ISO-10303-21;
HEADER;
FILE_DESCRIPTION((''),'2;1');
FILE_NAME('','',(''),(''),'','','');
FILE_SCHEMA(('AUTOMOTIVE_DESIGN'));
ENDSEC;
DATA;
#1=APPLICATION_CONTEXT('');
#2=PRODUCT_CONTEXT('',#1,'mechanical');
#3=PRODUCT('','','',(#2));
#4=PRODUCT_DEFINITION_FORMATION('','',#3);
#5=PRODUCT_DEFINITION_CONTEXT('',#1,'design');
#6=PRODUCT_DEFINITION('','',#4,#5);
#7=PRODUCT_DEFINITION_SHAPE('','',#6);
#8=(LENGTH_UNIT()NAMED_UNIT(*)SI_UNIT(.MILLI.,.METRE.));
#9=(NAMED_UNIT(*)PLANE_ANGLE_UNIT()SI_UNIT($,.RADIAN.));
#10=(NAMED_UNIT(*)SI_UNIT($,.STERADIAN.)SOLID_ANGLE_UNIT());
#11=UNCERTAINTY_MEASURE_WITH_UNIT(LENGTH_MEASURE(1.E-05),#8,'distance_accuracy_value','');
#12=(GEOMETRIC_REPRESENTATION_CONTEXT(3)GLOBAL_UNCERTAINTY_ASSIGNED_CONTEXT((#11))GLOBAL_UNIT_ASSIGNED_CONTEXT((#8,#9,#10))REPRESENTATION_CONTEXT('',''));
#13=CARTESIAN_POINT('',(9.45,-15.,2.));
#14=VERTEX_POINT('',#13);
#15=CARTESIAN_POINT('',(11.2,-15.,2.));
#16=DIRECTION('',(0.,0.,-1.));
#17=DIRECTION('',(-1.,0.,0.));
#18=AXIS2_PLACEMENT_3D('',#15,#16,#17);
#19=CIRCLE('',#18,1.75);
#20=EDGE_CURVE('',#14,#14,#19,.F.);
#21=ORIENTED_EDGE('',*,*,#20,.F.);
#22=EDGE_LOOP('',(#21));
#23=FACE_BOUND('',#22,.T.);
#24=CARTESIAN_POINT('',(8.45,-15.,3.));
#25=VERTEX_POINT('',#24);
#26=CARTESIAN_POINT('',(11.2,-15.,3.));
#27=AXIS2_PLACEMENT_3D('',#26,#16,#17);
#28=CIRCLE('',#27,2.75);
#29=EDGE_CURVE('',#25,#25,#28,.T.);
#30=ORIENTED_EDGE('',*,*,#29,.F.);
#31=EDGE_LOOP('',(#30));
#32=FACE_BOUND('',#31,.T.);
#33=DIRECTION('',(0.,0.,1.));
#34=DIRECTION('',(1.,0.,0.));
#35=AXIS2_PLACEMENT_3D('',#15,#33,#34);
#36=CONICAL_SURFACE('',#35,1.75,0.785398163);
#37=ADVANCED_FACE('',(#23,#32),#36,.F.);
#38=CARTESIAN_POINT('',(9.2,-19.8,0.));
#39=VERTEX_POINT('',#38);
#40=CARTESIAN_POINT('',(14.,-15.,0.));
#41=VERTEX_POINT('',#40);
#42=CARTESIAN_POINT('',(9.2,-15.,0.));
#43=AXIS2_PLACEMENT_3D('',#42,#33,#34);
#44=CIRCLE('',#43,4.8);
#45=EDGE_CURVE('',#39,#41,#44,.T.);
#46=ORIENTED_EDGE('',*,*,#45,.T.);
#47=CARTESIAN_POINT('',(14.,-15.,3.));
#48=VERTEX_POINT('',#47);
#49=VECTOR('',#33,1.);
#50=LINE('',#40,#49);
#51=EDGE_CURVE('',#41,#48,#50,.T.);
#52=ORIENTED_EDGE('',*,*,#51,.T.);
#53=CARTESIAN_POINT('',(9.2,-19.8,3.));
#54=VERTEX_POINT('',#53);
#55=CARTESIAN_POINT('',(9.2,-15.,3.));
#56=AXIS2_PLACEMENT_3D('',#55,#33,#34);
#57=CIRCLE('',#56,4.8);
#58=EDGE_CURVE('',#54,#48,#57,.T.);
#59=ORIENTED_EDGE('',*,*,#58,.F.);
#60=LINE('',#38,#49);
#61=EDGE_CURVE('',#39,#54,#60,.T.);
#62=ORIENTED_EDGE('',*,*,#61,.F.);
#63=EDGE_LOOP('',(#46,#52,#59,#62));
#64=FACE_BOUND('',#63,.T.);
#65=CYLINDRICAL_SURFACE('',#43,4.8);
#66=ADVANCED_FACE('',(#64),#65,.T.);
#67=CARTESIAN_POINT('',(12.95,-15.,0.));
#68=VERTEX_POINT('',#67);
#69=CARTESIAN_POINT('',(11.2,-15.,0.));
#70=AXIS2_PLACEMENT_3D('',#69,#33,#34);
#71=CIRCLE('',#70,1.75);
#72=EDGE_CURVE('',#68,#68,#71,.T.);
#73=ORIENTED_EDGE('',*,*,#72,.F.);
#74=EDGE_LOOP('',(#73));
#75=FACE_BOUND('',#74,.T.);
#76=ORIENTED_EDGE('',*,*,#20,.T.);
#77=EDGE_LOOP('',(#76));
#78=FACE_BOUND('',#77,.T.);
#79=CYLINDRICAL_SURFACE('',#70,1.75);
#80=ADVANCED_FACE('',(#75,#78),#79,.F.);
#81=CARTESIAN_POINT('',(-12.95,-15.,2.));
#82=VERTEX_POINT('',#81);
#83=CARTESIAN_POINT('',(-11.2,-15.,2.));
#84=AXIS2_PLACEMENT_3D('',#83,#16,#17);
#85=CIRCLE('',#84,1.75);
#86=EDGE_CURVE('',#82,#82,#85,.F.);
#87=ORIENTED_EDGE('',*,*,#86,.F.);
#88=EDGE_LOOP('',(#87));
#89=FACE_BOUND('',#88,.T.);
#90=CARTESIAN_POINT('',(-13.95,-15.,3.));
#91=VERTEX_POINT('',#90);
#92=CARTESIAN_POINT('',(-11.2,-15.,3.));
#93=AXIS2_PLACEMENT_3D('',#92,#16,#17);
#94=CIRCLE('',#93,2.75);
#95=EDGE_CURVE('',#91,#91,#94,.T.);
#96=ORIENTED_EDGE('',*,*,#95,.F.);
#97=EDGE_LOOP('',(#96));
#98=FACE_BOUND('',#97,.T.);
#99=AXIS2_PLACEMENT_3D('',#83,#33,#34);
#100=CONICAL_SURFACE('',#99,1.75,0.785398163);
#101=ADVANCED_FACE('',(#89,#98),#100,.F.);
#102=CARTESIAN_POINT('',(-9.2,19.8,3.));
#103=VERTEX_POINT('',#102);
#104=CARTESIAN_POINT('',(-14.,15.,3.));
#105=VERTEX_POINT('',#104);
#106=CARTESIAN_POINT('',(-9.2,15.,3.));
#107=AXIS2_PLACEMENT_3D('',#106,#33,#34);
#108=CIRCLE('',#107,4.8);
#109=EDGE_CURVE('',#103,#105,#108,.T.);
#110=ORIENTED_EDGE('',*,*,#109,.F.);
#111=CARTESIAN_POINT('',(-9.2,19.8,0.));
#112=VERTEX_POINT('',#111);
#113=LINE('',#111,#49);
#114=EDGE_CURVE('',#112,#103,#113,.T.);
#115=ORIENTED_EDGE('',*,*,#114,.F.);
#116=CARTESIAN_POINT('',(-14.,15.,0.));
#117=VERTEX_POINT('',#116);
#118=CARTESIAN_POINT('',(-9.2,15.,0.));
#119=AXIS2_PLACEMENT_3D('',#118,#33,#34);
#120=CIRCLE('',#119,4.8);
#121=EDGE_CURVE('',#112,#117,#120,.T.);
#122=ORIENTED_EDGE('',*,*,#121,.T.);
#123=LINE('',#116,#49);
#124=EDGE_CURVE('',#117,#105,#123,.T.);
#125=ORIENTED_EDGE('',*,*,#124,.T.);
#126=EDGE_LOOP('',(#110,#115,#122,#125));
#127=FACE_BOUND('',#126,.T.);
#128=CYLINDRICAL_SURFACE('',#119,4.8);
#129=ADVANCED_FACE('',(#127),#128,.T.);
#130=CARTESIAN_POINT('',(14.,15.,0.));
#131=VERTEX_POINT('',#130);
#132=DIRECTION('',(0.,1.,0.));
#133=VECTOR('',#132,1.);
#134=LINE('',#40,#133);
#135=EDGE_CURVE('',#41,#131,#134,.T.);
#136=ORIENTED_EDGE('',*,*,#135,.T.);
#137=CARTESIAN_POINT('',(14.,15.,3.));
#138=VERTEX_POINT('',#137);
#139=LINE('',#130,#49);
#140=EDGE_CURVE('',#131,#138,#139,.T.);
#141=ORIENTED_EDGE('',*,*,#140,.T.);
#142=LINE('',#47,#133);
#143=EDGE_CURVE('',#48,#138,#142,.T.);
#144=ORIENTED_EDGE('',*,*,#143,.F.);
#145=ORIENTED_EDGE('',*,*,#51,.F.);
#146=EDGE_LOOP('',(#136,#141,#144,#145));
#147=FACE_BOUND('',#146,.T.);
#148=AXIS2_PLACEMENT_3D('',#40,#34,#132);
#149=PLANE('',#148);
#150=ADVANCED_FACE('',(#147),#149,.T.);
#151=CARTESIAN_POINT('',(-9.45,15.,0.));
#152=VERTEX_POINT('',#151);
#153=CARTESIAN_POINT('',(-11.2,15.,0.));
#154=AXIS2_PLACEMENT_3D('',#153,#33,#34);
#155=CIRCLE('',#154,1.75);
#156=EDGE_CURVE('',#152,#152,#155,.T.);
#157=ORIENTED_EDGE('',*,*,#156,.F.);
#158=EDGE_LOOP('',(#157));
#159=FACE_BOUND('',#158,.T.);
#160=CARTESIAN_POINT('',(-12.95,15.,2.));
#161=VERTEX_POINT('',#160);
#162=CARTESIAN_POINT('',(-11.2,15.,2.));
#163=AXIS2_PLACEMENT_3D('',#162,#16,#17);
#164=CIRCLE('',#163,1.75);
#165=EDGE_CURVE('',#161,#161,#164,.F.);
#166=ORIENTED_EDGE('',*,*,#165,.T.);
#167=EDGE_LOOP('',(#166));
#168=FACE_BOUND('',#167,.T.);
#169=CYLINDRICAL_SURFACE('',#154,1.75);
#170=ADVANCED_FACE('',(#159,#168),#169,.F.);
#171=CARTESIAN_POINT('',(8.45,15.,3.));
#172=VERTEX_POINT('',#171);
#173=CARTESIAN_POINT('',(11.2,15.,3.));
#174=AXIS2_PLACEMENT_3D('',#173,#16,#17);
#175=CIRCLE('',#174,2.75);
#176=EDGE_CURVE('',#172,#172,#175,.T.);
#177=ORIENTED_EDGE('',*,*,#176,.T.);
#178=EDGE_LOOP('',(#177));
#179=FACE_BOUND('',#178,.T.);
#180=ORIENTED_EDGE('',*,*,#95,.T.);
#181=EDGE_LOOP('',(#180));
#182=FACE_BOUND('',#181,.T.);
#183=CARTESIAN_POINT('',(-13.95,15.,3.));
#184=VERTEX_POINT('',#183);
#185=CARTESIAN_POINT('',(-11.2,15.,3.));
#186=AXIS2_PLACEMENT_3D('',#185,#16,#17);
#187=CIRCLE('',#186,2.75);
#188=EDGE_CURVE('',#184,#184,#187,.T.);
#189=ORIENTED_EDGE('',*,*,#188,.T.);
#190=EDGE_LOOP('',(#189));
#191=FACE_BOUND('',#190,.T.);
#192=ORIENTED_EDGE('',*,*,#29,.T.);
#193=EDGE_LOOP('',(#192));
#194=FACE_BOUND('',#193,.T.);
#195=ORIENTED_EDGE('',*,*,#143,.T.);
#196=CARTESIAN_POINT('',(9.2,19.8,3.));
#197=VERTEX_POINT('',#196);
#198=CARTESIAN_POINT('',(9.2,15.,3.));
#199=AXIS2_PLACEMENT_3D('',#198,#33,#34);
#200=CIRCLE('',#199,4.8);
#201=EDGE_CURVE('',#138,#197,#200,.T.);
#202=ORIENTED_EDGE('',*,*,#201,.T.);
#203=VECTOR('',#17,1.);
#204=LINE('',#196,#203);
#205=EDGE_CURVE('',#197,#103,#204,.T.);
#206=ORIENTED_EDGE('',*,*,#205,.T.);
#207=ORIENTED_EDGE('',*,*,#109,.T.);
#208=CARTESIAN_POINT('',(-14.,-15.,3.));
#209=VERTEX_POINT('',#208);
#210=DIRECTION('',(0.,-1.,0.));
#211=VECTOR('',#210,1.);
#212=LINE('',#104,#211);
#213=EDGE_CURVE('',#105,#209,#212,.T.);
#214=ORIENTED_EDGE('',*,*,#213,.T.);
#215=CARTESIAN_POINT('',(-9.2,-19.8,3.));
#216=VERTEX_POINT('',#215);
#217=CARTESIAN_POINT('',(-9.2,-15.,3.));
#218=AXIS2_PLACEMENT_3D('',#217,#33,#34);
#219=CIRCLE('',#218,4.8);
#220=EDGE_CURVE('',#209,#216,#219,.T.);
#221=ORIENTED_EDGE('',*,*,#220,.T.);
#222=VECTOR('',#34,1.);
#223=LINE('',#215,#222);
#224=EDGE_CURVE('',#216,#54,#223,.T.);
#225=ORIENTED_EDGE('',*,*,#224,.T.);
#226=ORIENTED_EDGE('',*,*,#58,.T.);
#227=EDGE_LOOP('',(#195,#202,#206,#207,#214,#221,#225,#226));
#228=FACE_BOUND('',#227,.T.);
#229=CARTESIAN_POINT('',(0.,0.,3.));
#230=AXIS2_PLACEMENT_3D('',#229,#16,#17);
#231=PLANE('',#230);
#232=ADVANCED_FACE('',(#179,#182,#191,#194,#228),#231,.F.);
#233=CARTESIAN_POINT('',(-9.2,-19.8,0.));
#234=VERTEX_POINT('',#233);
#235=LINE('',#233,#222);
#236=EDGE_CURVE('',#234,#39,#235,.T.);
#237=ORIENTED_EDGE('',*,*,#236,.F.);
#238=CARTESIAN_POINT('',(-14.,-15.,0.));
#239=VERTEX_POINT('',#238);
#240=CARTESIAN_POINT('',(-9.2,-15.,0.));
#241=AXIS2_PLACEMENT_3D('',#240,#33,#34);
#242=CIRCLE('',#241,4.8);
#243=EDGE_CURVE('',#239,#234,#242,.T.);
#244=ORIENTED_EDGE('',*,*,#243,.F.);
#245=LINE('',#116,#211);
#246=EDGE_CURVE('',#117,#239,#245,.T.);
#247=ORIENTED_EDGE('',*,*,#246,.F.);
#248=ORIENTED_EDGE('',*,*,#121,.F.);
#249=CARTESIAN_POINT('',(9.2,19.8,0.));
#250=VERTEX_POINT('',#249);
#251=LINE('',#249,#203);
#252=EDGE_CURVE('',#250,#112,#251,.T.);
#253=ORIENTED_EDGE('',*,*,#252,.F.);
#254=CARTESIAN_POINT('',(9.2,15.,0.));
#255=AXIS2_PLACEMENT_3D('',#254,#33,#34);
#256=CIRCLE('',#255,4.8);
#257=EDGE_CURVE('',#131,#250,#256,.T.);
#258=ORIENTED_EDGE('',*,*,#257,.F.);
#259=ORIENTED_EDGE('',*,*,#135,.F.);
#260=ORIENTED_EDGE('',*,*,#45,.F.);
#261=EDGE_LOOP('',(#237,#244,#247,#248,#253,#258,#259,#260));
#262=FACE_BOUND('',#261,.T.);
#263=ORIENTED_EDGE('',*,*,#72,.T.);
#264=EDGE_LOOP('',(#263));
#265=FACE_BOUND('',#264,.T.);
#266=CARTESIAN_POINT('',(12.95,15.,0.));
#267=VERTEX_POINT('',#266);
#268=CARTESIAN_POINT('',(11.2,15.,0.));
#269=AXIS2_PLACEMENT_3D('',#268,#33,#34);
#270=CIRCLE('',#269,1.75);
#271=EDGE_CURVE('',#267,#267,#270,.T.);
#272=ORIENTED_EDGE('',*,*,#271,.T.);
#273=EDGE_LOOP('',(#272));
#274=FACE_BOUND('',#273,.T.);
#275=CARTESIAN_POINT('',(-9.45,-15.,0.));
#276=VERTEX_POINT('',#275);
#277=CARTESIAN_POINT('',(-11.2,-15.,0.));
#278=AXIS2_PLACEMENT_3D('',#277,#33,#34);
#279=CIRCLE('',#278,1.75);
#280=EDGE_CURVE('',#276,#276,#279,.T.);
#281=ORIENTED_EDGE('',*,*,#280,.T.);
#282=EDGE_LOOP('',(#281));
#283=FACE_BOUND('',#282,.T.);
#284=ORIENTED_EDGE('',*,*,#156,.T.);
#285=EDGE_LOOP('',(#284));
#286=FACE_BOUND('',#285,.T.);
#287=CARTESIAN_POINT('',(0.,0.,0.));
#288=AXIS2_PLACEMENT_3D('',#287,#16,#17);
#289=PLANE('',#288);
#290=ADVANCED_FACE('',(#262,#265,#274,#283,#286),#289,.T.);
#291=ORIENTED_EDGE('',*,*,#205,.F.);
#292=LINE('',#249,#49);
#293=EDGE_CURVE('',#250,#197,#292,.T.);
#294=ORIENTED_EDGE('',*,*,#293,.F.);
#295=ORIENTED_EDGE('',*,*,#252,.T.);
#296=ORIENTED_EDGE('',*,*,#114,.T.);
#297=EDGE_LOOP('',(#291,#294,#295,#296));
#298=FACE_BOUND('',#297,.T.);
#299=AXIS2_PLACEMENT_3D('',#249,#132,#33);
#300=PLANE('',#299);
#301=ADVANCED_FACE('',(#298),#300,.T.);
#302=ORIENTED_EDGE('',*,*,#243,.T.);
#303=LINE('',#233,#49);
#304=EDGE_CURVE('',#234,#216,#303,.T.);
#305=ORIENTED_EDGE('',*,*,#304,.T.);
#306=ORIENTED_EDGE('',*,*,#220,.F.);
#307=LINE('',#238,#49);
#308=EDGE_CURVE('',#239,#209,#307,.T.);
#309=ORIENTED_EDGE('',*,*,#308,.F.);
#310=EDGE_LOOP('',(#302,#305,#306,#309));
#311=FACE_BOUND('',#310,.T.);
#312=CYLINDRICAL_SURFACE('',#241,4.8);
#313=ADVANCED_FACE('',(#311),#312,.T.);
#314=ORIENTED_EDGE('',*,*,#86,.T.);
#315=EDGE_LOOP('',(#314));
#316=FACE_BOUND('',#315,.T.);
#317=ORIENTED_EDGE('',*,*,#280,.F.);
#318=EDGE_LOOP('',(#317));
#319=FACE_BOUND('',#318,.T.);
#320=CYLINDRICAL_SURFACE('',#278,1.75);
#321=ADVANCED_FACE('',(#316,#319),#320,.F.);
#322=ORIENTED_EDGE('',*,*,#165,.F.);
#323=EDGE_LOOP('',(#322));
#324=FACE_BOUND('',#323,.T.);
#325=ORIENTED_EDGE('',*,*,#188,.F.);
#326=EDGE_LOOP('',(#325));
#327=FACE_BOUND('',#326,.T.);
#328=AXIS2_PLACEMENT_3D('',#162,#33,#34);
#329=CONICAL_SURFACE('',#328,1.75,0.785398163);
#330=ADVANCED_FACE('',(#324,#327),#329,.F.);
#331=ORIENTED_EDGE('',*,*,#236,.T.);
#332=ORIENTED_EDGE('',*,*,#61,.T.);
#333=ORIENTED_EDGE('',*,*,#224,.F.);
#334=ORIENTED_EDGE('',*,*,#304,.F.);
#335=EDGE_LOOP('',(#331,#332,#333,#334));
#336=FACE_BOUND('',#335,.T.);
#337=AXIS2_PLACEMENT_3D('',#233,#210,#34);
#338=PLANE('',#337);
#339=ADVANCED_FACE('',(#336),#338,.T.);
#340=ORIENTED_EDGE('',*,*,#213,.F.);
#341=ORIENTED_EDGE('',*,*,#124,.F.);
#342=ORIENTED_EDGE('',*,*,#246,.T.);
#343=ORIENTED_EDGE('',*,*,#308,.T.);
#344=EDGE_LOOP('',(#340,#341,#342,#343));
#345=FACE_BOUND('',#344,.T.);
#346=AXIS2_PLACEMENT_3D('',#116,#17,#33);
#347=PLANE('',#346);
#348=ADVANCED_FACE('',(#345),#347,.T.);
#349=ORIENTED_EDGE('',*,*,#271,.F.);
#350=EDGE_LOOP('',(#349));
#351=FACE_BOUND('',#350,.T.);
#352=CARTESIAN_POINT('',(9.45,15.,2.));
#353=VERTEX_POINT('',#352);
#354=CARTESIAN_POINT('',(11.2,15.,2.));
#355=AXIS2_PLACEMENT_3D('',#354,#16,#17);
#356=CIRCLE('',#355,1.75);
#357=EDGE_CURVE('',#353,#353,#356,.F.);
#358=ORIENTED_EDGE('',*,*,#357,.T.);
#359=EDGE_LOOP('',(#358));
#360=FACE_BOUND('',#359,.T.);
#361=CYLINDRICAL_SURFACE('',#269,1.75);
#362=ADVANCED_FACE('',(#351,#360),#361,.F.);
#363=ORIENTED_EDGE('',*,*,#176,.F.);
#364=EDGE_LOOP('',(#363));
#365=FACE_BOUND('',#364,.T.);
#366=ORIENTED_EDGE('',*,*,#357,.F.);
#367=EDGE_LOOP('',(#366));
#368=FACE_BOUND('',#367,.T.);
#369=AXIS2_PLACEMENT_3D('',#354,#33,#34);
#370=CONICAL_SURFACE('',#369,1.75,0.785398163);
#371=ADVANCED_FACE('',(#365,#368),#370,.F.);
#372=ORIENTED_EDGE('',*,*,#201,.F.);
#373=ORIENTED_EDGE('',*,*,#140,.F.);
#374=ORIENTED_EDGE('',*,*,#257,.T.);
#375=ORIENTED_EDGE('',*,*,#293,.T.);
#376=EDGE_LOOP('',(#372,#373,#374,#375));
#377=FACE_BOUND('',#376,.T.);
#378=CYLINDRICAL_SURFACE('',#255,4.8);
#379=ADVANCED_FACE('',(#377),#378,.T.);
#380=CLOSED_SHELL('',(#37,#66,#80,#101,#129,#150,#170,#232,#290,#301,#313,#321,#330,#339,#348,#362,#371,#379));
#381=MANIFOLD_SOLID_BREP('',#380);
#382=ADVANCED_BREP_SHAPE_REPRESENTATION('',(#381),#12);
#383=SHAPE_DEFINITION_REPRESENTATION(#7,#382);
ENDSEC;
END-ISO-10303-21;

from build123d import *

# Parameters (mm, degrees)
SZKIC1_W                    = 28.4
SZKIC1_H                    = 40
DODANIE_WYCI_GNI_CIE1_DEPTH = 3
ZAOKR_GLENIE1_R             = 5
SZKIC2_R                    = 1.75
WYTNIJ_WYCI_GNI_CIE1_DEPTH  = 3
SFAZOWANIE1_SIZE            = 1
WYTNIJ_WYCI_GNI_CIE2_DEPTH  = 3


with BuildPart() as part:
    # Szkic1 → Dodanie-wyciągnięcie1 (new body)
    with BuildSketch(Plane.XY):
        Rectangle(SZKIC1_W, SZKIC1_H)
    extrude(amount=DODANIE_WYCI_GNI_CIE1_DEPTH)

    # Zaokrąglenie1
    zaokr_glenie1_edges = [part.edges().sort_by_distance(p)[0] for p in [
        (14.2, -20, 1.5),
        (-14.2, -20, 1.5),
        (-14.2, 20, 1.5),
        (14.2, 20, 1.5),
    ]]
    fillet(zaokr_glenie1_edges, radius=ZAOKR_GLENIE1_R)

    # Szkic2 → Wytnij-wyciągnięcie1 (cut)
    with BuildSketch(Plane.XY.offset(3)):
        with Locations((-11.2, 15)):
            Circle(SZKIC2_R)
        with Locations((11.2, 15)):
            Circle(SZKIC2_R)
        with Locations((-11.2, -15)):
            Circle(SZKIC2_R)
        with Locations((11.2, -15)):
            Circle(SZKIC2_R)
    extrude(amount=-WYTNIJ_WYCI_GNI_CIE1_DEPTH, mode=Mode.SUBTRACT)

    # Sfazowanie1
    sfazowanie1_edges = [part.edges().sort_by_distance(p)[0] for p in [
        (9.45, 15, 3),
        (-12.95, -15, 3),
        (9.45, -15, 3),
        (-12.95, 15, 3),
    ]]
    chamfer(sfazowanie1_edges, length=SFAZOWANIE1_SIZE)

    # Szkic3 → Wytnij-wyciągnięcie2 (cut)
    with BuildSketch(Plane.XY.offset(3)):
        with BuildLine():
            Line((-14.2, 15), (-14.2, -15))
            ThreePointArc((-14.2, -15), (-12.735533906, -18.535533906), (-9.2, -20))
            Line((-9.2, -20), (9.2, -20))
            ThreePointArc((9.2, -20), (12.735533906, -18.535533906), (14.2, -15))
            Line((14.2, -15), (14.2, 15))
            ThreePointArc((14.2, 15), (12.735533906, 18.535533906), (9.2, 20))
            Line((9.2, 20), (-9.2, 20))
            ThreePointArc((-9.2, 20), (-12.735533906, 18.535533906), (-14.2, 15))
        make_face()
        with BuildLine():
            Line((9.2, 19.8), (-9.2, 19.8))
            ThreePointArc((-9.2, 19.8), (-12.59411255, 18.39411255), (-14, 15))
            Line((-14, 15), (-14, -15))
            ThreePointArc((-14, -15), (-12.59411255, -18.39411255), (-9.2, -19.8))
            Line((-9.2, -19.8), (9.2, -19.8))
            ThreePointArc((9.2, -19.8), (12.59411255, -18.39411255), (14, -15))
            Line((14, -15), (14, 15))
            ThreePointArc((14, 15), (12.59411255, 18.39411255), (9.2, 19.8))
        make_face(mode=Mode.SUBTRACT)
    extrude(amount=-WYTNIJ_WYCI_GNI_CIE2_DEPTH, mode=Mode.SUBTRACT)


solid = part.part
